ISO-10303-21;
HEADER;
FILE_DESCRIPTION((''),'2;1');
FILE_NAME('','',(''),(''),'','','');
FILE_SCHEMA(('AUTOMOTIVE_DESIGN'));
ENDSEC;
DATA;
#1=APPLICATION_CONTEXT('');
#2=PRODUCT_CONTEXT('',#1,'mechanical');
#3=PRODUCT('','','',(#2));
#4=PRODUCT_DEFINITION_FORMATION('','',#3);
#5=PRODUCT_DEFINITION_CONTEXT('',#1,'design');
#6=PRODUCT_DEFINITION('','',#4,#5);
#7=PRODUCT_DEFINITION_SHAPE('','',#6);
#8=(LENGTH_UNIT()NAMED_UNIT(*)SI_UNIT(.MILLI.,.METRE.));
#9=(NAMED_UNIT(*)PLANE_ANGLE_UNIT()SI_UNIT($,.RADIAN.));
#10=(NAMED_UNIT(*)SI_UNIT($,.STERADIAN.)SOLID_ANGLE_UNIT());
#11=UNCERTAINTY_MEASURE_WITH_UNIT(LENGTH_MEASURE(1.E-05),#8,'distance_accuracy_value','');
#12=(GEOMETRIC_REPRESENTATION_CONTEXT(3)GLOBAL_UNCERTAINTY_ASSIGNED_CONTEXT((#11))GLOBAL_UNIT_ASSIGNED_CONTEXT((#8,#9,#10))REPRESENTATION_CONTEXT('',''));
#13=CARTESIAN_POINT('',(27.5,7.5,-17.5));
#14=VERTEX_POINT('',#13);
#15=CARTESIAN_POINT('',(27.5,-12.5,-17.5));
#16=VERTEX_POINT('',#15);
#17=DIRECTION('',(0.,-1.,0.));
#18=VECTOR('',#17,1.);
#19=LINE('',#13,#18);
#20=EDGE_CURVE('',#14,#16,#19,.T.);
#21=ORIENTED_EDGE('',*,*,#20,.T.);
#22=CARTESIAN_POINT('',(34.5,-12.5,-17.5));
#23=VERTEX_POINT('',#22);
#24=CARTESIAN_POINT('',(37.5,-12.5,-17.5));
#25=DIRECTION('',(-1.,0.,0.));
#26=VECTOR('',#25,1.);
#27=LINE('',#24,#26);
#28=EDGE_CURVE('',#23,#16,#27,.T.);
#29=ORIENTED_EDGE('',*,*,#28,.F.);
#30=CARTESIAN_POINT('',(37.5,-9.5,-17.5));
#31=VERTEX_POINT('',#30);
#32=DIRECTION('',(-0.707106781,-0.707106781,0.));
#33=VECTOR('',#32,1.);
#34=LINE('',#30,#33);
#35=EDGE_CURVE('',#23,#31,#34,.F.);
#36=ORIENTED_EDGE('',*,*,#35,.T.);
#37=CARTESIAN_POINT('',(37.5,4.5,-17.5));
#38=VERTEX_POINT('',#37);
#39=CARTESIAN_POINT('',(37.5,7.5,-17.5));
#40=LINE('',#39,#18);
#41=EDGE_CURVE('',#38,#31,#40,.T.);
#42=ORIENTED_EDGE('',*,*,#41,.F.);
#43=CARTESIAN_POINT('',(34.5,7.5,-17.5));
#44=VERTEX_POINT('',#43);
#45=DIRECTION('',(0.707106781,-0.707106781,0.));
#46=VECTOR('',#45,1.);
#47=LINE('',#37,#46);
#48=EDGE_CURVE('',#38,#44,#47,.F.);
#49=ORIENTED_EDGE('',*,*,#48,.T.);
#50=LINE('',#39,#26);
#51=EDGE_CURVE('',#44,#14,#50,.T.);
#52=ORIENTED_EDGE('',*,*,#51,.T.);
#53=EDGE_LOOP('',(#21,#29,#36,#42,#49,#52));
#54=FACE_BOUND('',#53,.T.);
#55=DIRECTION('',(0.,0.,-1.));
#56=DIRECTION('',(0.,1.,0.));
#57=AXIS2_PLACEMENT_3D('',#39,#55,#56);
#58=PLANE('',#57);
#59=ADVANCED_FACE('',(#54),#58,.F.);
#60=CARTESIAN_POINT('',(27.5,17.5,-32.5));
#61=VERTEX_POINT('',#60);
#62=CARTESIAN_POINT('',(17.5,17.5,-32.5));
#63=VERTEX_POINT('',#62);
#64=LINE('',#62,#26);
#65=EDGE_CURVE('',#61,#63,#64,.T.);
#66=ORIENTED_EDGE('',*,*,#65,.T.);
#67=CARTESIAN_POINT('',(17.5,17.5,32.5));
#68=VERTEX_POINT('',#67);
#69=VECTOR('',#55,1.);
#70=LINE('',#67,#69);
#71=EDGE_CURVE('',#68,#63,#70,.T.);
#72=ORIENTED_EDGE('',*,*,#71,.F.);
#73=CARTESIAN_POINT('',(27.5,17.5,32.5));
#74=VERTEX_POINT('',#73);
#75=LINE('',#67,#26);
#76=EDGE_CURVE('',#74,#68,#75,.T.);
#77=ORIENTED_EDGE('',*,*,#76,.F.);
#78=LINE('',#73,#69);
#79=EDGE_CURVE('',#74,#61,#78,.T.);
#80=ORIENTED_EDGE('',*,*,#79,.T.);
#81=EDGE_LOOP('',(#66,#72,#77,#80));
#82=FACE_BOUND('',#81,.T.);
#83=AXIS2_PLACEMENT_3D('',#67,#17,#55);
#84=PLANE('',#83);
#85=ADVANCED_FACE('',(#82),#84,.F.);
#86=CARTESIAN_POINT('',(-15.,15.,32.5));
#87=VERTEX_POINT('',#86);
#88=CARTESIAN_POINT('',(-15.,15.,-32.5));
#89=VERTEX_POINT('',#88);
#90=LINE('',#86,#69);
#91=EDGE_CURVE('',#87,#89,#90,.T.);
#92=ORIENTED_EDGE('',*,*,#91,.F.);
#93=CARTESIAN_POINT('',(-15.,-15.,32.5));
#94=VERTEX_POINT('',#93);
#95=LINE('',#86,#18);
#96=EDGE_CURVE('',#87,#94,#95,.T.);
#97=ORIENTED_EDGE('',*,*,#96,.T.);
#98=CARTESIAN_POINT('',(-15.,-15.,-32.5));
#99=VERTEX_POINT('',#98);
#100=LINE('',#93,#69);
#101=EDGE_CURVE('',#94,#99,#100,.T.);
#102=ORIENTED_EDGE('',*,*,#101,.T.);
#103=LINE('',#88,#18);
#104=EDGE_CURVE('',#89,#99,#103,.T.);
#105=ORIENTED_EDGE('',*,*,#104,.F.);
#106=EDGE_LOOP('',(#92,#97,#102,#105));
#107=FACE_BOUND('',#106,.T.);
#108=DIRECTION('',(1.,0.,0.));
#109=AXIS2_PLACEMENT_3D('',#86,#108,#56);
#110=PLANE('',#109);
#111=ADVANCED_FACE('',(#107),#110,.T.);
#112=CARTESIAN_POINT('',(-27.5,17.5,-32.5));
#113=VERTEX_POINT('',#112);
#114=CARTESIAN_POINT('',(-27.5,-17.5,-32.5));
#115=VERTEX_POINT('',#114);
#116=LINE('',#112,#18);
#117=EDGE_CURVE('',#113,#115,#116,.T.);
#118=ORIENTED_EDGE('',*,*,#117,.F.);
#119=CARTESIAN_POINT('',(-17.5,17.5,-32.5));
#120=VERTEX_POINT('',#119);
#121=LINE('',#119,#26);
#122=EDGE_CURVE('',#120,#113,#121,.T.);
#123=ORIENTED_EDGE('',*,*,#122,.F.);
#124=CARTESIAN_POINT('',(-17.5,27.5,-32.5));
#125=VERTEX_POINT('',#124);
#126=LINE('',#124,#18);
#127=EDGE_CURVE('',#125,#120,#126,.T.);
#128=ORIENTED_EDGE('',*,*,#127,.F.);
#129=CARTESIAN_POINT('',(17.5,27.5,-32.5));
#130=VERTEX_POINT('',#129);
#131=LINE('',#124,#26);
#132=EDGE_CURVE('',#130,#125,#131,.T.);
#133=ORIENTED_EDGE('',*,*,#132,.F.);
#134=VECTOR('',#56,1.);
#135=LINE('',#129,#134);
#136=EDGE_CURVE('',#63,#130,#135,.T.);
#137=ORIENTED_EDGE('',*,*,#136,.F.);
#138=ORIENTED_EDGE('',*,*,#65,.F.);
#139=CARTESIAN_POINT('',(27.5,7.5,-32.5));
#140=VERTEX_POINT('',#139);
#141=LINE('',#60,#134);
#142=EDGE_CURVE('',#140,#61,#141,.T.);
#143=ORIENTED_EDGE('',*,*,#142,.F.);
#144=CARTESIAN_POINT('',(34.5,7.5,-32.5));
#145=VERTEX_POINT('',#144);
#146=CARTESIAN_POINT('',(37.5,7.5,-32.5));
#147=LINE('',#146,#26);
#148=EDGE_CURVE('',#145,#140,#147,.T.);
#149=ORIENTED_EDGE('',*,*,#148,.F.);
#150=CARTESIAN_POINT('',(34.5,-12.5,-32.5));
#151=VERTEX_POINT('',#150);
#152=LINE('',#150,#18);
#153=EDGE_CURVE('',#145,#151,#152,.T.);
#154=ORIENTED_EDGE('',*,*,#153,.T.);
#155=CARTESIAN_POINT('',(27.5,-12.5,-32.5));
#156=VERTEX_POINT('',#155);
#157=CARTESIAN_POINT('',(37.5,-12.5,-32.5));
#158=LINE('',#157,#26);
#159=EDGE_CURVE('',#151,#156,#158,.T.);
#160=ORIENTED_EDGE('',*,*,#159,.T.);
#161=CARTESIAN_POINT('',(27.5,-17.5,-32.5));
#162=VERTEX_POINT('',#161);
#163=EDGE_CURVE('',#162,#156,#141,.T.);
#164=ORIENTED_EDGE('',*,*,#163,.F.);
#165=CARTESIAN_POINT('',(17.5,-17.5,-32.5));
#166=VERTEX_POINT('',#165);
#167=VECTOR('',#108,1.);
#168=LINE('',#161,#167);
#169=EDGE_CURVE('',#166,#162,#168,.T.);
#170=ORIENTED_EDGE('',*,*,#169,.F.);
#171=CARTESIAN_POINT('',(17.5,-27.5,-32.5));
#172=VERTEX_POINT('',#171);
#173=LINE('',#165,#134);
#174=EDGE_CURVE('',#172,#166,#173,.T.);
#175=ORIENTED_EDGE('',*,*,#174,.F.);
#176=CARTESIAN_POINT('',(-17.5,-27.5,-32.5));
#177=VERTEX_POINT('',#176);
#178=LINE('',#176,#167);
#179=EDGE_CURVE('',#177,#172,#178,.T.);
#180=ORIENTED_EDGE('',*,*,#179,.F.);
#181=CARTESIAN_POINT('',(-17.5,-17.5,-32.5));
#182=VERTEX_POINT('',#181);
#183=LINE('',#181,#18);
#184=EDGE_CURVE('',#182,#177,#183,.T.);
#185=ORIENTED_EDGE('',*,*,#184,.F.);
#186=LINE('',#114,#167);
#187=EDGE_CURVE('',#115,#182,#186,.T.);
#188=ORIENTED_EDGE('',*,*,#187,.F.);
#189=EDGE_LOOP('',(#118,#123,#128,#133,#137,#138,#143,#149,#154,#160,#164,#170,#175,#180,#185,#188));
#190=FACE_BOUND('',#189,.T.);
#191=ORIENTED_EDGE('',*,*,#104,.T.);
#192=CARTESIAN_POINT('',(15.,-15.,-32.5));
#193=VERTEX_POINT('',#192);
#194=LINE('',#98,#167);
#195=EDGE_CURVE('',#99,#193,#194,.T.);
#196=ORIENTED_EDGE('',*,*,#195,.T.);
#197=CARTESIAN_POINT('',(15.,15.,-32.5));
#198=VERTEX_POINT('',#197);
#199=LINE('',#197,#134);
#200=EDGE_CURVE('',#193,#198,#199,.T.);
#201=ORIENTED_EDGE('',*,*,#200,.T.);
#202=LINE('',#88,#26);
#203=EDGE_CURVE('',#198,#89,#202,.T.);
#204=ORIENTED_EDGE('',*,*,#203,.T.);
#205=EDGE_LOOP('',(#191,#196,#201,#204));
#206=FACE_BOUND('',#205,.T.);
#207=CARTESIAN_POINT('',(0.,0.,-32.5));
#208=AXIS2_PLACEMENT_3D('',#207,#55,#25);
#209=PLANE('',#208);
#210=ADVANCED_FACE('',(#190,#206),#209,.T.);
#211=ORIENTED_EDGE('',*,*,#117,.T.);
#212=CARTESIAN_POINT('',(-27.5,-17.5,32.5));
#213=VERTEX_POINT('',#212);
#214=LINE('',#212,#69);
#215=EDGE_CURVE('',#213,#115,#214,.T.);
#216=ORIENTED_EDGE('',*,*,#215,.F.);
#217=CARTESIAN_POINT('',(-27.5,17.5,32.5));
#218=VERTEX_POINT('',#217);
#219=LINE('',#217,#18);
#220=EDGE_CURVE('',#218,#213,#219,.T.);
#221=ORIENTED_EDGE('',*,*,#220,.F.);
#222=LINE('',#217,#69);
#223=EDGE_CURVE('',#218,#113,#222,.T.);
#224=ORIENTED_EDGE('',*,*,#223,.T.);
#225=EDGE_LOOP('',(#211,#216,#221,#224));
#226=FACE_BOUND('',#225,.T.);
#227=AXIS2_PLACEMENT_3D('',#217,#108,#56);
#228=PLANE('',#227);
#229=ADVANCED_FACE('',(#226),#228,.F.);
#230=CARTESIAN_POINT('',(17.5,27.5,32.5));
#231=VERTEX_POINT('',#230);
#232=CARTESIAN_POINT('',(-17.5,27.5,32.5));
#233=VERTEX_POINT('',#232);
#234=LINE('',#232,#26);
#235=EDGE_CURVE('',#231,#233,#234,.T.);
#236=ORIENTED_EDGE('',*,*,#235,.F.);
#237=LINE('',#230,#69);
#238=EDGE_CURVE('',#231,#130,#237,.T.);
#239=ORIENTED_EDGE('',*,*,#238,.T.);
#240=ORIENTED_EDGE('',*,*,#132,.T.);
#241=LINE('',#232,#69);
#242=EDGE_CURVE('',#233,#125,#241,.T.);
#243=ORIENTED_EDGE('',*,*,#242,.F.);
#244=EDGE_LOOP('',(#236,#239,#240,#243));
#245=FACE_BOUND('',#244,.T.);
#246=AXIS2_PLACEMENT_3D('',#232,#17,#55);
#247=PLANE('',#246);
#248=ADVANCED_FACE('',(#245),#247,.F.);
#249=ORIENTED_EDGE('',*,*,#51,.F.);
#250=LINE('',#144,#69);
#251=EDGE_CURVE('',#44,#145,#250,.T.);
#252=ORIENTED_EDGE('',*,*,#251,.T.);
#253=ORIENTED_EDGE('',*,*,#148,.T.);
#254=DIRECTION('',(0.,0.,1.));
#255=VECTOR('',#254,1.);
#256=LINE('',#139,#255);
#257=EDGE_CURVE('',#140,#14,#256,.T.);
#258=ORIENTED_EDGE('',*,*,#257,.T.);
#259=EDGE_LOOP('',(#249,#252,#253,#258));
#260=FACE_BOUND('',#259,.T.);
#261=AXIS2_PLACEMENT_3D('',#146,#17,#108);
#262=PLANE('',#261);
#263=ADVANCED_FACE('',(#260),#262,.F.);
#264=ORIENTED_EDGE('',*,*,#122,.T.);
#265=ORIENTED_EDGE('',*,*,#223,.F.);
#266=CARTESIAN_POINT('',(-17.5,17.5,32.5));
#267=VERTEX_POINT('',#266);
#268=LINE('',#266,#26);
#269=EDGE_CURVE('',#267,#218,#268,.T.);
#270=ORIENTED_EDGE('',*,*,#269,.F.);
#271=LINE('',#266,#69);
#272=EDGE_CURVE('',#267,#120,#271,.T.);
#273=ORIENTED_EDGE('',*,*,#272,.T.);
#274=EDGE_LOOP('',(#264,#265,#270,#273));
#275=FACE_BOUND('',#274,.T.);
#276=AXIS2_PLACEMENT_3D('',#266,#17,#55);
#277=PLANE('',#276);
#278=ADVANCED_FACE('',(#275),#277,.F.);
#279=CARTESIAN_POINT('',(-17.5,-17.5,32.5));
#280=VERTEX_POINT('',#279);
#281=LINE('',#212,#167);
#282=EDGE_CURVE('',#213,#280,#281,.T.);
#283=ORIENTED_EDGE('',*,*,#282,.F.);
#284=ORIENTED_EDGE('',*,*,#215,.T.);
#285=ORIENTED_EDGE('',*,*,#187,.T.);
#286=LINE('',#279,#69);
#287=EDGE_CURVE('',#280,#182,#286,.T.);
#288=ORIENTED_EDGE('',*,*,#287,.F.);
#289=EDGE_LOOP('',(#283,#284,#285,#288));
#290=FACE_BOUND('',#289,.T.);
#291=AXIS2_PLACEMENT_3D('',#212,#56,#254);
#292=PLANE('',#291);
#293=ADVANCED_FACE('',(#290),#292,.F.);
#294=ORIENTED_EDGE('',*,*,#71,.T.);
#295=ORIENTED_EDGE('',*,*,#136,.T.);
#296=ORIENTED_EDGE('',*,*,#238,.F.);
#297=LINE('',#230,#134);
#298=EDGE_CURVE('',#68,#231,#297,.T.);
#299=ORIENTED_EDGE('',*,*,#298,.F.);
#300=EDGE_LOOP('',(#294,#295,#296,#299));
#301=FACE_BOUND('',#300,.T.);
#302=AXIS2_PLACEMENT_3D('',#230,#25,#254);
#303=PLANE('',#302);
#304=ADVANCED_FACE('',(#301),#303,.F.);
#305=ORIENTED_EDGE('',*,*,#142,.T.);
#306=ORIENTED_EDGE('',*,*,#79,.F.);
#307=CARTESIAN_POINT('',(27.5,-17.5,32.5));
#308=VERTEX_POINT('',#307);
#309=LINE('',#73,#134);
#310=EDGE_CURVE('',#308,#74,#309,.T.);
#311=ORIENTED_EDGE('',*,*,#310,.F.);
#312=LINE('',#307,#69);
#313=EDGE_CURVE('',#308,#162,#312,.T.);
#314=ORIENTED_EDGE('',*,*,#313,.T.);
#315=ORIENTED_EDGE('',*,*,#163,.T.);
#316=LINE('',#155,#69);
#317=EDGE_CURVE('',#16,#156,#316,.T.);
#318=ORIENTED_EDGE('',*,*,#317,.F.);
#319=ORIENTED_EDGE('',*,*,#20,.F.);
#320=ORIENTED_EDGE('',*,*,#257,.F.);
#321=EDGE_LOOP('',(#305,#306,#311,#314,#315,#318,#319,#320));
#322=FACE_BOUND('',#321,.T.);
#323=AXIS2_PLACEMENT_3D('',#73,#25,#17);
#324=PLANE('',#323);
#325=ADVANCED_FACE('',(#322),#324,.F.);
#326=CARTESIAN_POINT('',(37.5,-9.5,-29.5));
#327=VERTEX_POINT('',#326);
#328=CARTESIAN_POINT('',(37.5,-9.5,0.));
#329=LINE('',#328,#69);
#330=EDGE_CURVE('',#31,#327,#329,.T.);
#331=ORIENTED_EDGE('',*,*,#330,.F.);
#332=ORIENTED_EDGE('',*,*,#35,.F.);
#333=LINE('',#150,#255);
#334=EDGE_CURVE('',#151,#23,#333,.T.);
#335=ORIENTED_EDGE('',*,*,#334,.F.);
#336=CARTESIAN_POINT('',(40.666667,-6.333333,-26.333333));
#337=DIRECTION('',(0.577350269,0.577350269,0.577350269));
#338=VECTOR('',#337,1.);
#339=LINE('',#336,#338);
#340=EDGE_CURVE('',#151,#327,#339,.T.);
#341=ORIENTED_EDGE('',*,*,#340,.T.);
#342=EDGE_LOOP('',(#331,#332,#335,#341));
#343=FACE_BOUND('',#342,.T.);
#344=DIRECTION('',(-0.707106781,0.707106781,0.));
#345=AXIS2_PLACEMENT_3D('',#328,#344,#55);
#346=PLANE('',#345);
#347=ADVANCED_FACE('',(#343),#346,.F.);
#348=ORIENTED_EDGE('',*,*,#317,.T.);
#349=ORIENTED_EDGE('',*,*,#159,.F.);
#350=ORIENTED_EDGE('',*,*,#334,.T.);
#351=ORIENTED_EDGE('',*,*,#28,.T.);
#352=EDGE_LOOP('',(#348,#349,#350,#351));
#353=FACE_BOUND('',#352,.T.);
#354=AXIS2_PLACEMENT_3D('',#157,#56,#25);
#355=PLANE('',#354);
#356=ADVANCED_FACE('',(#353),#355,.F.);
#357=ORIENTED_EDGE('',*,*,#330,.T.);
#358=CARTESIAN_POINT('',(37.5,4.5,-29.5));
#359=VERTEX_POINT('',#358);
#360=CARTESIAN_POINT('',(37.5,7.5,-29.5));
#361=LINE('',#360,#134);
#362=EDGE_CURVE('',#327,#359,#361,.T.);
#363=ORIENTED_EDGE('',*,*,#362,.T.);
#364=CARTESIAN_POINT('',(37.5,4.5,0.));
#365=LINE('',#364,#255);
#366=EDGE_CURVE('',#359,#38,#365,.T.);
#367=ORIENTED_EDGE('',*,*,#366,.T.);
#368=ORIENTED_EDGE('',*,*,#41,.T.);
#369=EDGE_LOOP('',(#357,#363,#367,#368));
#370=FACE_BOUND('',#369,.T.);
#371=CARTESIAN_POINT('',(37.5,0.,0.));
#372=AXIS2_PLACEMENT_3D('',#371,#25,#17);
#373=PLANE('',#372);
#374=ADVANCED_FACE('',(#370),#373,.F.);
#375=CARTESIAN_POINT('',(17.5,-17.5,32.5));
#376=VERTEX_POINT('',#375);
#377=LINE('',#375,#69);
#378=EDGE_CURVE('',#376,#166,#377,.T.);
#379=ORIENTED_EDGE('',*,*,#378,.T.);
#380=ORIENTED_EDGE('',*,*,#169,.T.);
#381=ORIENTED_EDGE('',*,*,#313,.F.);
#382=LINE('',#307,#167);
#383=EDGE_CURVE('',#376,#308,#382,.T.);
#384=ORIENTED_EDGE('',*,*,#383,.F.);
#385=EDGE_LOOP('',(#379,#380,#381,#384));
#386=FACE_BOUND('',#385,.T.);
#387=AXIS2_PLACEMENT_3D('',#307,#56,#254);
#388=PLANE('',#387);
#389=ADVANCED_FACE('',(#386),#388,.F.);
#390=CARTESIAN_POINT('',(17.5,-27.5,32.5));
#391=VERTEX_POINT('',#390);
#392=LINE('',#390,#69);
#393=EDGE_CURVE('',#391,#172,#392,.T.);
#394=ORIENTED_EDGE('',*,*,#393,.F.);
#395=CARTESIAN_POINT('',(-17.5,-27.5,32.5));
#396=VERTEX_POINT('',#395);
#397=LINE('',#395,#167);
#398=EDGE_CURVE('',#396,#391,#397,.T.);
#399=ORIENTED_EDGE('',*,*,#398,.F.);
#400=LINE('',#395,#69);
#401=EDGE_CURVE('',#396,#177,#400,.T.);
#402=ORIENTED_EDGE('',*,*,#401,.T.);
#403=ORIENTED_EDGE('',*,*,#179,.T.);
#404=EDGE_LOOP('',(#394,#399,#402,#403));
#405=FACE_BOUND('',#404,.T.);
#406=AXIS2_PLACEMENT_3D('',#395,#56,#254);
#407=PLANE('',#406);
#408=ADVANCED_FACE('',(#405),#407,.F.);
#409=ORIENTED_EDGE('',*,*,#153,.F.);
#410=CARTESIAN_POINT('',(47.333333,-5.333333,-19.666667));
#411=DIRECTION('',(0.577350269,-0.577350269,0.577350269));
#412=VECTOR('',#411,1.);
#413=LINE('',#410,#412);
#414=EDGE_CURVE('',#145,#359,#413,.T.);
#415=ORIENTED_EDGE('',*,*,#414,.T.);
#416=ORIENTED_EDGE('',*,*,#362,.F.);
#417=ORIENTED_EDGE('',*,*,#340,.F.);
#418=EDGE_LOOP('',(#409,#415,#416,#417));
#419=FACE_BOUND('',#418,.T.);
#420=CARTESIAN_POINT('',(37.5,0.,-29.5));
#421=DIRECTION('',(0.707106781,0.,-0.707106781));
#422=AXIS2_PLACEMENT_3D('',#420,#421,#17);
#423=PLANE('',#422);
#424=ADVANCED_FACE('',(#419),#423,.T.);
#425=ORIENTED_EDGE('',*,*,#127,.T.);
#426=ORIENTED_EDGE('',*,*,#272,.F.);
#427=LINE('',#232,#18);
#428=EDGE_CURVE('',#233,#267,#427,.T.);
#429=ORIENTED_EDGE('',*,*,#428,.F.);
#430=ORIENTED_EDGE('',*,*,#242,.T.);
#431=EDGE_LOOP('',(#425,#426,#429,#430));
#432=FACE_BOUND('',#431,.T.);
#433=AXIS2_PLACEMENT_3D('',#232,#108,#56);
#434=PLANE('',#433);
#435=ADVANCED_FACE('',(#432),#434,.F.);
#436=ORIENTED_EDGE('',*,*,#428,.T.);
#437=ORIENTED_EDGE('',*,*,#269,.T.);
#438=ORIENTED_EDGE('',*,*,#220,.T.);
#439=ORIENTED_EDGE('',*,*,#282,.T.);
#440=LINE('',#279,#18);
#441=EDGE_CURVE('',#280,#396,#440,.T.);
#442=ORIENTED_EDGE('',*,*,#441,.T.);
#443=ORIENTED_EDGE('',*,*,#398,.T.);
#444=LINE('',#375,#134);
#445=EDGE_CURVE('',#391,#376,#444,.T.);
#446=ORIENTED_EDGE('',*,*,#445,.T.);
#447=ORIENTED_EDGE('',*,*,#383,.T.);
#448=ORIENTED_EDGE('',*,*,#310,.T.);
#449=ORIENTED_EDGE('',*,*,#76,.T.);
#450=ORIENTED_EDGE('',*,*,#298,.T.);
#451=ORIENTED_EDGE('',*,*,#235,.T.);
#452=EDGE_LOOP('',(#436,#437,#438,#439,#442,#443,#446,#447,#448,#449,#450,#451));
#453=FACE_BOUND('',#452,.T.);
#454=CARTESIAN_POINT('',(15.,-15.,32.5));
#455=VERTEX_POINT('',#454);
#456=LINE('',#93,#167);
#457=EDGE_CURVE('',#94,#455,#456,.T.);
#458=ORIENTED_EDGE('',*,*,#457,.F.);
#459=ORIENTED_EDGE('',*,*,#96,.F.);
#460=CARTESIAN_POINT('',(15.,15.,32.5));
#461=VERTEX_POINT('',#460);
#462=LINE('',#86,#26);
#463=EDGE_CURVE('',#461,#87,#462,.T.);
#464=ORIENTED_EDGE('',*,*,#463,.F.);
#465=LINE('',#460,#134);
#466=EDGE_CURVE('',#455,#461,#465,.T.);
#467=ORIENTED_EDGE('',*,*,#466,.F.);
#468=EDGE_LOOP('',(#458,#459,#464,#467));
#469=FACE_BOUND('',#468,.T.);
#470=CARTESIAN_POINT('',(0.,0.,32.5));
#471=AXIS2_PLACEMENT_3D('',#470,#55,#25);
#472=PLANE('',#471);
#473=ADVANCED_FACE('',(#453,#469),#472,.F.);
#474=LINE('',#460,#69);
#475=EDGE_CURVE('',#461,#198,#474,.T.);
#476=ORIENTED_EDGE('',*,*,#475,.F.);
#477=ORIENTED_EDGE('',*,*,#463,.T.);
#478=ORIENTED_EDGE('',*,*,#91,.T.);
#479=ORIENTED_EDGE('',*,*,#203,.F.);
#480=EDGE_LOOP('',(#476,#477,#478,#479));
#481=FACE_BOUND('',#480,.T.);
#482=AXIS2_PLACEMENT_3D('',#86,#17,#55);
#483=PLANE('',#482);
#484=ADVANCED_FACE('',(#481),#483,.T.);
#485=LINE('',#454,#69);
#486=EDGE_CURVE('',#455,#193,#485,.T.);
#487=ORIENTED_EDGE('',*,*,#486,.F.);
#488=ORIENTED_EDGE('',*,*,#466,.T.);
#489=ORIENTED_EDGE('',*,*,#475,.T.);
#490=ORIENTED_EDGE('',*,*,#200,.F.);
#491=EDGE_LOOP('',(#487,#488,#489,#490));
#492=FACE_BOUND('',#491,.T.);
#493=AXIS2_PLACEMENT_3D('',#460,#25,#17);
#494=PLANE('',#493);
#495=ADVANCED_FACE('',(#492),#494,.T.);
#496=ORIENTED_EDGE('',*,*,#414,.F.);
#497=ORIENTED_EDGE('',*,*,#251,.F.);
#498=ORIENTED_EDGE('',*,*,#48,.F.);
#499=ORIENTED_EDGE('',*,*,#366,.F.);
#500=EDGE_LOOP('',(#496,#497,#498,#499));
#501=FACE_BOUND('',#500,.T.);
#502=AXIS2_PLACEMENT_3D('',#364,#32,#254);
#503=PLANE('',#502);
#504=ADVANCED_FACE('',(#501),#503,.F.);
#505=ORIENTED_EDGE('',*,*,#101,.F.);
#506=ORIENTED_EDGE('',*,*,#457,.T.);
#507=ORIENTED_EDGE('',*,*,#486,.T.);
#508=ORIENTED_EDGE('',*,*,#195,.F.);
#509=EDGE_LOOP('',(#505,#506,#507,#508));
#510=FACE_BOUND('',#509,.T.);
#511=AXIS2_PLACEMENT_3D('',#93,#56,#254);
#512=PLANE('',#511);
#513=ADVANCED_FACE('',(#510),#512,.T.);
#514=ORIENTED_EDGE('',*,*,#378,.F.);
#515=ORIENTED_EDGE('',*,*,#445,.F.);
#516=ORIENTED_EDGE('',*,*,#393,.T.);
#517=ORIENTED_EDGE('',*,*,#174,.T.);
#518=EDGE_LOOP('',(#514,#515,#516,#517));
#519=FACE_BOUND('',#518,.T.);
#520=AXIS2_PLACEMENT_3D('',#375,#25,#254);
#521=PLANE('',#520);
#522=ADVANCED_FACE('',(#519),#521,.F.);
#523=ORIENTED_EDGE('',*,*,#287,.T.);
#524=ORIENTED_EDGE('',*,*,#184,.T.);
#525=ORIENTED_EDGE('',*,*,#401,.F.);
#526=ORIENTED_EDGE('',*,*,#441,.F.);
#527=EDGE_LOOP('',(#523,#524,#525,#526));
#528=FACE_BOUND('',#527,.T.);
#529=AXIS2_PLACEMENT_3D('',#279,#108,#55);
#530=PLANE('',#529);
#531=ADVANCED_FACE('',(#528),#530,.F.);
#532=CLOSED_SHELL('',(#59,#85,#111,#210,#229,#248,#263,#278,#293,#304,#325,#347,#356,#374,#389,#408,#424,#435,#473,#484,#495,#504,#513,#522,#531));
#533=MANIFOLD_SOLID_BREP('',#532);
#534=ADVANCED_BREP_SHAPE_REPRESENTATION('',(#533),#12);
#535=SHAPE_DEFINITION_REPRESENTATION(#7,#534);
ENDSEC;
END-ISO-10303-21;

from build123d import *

# Parameters (mm, degrees)
SKETCH1_W           = 30
SKETCH1_H           = 30
BOSS_EXTRUDE1_DEPTH = 32.5
SKETCH2_W           = 15
SKETCH2_H           = 20
BOSS_EXTRUDE2_DEPTH = 10
CHAMFER1_SIZE       = 3


with BuildPart() as part:
    # Sketch1 → Boss-Extrude1 (new body, symmetric)
    with BuildSketch(Plane.XY):
        Polygon((-17.5, 27.5), (17.5, 27.5), (17.5, 17.5), (27.5, 17.5), (27.5, -17.5), (17.5, -17.5), (17.5, -27.5), (-17.5, -27.5), (-17.5, -17.5), (-27.5, -17.5), (-27.5, 17.5), (-17.5, 17.5), align=None)
        Rectangle(SKETCH1_W, SKETCH1_H, mode=Mode.SUBTRACT)
    extrude(amount=BOSS_EXTRUDE1_DEPTH, both=True)

    # Sketch2 → Boss-Extrude2 (add)
    with BuildSketch(Plane(origin=(27.5, 0, 0), x_dir=(0, 0, -1), z_dir=(1, 0, 0))):
        with Locations((25, -2.5)):
            Rectangle(SKETCH2_W, SKETCH2_H)
    extrude(amount=BOSS_EXTRUDE2_DEPTH)

    # Chamfer1
    chamfer1_edges = [part.edges().sort_by_distance(p)[0] for p in [
        (37.5, -2.5, -32.5),
        (37.5, 7.5, -25),
        (37.5, -12.5, -25),
    ]]
    chamfer(chamfer1_edges, length=CHAMFER1_SIZE)


solid = part.part
